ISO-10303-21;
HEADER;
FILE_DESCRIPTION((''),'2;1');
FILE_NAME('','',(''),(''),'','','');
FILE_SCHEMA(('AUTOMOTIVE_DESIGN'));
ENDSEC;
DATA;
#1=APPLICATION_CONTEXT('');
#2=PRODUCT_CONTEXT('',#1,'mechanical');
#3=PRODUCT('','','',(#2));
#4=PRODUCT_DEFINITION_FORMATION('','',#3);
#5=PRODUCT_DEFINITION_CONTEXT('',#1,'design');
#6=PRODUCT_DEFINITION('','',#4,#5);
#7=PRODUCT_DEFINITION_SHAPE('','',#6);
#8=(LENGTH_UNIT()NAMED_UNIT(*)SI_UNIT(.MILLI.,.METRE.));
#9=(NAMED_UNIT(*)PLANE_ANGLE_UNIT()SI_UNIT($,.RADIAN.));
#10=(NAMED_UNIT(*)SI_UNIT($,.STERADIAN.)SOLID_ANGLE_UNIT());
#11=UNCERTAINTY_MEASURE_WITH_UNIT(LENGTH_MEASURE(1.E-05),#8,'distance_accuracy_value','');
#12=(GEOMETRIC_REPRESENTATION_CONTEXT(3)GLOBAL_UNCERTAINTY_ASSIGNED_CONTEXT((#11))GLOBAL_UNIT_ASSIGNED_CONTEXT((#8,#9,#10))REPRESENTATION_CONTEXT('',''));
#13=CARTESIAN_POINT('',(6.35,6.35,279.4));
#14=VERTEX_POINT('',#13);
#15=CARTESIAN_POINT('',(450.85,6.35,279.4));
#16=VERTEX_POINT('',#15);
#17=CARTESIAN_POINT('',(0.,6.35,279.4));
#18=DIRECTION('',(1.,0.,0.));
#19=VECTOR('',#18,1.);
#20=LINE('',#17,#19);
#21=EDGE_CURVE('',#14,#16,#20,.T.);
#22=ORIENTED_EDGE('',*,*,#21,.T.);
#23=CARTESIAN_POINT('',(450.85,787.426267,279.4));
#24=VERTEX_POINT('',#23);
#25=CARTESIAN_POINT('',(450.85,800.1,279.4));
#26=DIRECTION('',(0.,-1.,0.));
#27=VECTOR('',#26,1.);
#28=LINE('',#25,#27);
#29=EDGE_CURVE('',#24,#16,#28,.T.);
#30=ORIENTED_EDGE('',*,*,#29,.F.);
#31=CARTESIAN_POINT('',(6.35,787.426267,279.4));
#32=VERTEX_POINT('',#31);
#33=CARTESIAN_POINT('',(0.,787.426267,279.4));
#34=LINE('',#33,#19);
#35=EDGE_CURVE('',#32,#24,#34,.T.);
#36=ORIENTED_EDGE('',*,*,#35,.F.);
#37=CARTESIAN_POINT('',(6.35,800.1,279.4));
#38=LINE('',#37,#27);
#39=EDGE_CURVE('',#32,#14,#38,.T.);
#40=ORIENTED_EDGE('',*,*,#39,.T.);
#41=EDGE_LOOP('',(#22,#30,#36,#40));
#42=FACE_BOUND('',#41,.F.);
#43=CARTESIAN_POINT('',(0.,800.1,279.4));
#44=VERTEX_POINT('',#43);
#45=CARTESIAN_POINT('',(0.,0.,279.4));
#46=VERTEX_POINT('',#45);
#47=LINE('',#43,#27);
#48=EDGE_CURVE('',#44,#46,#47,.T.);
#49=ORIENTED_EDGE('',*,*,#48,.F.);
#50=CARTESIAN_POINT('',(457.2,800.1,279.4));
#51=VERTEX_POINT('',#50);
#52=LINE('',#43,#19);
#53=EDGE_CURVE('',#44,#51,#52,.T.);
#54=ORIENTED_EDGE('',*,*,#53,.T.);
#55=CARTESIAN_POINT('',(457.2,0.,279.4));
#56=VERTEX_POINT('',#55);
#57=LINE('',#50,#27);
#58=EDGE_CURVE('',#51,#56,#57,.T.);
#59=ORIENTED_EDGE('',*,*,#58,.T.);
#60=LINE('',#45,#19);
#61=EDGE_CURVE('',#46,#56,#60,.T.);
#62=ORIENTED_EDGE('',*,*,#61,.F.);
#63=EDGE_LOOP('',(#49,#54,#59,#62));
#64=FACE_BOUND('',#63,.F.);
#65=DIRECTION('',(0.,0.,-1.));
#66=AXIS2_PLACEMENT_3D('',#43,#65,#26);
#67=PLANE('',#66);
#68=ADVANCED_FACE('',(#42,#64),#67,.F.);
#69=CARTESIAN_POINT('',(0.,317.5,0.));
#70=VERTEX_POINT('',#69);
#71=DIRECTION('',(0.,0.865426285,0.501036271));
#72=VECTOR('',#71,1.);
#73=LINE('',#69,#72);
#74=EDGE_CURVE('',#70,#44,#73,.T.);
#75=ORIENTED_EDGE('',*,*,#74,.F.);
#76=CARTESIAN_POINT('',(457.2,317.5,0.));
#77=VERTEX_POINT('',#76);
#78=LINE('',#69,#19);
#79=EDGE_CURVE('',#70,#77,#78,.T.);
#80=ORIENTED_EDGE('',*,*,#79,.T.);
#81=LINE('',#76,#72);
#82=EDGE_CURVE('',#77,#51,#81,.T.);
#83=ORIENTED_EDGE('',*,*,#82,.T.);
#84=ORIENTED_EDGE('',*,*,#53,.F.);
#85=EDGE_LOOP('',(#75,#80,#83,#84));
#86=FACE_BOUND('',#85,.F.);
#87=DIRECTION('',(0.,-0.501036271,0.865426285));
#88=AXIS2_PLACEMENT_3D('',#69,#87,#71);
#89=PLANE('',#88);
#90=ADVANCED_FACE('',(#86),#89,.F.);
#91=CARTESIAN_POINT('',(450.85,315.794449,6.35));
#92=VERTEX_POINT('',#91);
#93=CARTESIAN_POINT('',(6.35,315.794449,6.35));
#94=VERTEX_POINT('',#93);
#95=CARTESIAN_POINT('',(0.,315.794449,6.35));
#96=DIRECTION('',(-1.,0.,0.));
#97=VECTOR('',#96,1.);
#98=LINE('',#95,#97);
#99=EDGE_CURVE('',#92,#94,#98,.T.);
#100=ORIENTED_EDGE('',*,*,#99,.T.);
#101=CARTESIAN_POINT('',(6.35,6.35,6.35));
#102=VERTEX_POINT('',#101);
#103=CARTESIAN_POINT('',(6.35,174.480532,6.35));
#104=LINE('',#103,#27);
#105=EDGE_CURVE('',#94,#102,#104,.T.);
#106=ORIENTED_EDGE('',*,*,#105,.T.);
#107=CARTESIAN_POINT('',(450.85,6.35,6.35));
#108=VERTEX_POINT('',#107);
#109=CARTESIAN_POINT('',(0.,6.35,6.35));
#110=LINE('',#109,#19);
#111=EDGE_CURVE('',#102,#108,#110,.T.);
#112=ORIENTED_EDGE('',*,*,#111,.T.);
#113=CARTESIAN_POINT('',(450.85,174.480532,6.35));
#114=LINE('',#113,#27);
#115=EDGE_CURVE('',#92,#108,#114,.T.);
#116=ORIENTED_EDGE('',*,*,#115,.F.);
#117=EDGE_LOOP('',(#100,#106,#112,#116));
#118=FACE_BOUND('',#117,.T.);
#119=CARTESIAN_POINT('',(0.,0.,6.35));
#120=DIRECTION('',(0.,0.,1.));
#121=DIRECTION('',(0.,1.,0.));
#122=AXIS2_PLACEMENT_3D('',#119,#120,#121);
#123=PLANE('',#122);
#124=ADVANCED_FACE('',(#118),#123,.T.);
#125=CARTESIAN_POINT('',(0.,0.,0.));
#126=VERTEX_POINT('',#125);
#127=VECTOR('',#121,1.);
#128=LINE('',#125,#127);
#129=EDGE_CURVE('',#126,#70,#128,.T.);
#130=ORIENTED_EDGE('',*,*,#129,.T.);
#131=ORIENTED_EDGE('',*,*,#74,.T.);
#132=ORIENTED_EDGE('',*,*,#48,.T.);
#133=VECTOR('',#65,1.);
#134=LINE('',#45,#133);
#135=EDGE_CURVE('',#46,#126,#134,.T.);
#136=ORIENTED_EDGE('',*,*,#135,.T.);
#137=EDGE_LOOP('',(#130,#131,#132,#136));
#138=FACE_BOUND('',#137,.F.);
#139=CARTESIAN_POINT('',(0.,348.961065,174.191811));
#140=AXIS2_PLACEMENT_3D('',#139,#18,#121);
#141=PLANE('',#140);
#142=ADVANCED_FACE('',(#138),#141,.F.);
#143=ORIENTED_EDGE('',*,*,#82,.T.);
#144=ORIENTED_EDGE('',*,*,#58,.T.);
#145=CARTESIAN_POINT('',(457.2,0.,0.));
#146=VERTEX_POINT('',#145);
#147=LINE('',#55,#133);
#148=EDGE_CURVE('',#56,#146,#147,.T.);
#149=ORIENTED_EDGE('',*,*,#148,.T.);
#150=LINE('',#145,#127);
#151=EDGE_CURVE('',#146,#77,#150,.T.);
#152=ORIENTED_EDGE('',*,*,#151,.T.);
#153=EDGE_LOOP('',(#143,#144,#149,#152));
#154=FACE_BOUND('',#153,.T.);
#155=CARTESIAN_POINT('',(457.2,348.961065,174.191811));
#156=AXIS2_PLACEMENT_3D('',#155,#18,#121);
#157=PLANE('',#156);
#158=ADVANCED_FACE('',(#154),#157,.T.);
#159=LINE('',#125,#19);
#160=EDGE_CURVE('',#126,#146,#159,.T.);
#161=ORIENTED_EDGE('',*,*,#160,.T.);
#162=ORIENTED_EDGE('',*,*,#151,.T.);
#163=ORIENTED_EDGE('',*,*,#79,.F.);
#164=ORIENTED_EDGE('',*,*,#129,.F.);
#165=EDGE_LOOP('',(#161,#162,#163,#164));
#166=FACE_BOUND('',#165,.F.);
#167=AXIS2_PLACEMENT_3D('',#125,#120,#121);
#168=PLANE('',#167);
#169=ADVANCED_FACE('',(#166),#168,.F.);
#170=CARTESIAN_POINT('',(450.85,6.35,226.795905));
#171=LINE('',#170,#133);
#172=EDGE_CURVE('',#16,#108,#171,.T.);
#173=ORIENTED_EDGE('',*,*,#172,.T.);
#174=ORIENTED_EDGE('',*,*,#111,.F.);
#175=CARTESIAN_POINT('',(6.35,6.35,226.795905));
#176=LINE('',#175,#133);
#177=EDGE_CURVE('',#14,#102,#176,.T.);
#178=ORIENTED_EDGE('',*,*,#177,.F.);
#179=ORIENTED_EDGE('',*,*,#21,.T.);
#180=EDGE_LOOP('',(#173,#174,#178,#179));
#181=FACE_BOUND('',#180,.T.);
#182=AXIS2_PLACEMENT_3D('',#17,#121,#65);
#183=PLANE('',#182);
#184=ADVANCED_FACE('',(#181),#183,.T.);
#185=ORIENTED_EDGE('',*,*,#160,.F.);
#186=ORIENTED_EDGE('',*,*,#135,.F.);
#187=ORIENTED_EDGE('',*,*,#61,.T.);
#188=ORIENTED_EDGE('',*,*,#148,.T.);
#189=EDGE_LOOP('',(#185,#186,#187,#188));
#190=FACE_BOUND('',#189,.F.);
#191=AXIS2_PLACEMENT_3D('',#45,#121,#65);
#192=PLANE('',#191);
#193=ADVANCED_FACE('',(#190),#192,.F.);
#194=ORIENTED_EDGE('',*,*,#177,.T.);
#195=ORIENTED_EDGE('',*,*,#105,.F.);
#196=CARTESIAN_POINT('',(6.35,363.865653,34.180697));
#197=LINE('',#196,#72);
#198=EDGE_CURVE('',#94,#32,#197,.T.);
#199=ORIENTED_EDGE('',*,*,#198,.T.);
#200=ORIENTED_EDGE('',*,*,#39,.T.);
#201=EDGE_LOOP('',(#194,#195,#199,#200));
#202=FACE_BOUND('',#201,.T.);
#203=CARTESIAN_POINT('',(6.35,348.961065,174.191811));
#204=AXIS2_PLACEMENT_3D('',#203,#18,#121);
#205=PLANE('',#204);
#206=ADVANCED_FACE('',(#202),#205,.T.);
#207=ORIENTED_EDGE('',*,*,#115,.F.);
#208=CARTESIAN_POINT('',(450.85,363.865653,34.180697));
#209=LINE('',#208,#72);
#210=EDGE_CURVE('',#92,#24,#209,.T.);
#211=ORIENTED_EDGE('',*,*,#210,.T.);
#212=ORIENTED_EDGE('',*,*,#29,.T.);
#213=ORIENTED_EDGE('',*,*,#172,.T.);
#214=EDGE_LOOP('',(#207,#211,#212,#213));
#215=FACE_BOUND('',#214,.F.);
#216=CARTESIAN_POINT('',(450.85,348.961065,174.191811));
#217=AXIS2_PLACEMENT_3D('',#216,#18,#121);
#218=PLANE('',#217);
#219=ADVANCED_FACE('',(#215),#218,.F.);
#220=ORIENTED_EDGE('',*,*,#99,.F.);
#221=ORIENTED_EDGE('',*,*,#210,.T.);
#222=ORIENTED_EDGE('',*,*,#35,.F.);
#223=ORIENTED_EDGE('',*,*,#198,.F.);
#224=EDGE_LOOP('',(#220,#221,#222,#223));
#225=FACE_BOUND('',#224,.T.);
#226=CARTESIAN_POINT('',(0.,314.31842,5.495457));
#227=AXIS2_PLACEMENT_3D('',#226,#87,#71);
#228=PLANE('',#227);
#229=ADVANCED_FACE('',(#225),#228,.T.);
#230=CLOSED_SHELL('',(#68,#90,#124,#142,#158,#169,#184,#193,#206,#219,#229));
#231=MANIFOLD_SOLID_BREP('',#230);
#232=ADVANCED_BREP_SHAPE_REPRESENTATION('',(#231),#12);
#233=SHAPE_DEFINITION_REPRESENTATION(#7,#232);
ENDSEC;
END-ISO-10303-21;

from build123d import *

# Parameters (mm, degrees)
F1_DEPTH = 457.2
F2_T     = -6.35


with BuildPart() as f1:
    # F0 (on Right) → F1 (new body)
    with BuildSketch(Plane.YZ):
        Polygon((0, 279.4), (0, 0), (317.5, 0), (800.1, 279.4), align=None)
    extrude(amount=F1_DEPTH)

    # F2
    f2_openings = [f1.faces().sort_by_distance(p)[0] for p in [
        (228.6, 400.05, 279.4),
    ]]
    offset(amount=F2_T, openings=f2_openings)


solid = f1.part
